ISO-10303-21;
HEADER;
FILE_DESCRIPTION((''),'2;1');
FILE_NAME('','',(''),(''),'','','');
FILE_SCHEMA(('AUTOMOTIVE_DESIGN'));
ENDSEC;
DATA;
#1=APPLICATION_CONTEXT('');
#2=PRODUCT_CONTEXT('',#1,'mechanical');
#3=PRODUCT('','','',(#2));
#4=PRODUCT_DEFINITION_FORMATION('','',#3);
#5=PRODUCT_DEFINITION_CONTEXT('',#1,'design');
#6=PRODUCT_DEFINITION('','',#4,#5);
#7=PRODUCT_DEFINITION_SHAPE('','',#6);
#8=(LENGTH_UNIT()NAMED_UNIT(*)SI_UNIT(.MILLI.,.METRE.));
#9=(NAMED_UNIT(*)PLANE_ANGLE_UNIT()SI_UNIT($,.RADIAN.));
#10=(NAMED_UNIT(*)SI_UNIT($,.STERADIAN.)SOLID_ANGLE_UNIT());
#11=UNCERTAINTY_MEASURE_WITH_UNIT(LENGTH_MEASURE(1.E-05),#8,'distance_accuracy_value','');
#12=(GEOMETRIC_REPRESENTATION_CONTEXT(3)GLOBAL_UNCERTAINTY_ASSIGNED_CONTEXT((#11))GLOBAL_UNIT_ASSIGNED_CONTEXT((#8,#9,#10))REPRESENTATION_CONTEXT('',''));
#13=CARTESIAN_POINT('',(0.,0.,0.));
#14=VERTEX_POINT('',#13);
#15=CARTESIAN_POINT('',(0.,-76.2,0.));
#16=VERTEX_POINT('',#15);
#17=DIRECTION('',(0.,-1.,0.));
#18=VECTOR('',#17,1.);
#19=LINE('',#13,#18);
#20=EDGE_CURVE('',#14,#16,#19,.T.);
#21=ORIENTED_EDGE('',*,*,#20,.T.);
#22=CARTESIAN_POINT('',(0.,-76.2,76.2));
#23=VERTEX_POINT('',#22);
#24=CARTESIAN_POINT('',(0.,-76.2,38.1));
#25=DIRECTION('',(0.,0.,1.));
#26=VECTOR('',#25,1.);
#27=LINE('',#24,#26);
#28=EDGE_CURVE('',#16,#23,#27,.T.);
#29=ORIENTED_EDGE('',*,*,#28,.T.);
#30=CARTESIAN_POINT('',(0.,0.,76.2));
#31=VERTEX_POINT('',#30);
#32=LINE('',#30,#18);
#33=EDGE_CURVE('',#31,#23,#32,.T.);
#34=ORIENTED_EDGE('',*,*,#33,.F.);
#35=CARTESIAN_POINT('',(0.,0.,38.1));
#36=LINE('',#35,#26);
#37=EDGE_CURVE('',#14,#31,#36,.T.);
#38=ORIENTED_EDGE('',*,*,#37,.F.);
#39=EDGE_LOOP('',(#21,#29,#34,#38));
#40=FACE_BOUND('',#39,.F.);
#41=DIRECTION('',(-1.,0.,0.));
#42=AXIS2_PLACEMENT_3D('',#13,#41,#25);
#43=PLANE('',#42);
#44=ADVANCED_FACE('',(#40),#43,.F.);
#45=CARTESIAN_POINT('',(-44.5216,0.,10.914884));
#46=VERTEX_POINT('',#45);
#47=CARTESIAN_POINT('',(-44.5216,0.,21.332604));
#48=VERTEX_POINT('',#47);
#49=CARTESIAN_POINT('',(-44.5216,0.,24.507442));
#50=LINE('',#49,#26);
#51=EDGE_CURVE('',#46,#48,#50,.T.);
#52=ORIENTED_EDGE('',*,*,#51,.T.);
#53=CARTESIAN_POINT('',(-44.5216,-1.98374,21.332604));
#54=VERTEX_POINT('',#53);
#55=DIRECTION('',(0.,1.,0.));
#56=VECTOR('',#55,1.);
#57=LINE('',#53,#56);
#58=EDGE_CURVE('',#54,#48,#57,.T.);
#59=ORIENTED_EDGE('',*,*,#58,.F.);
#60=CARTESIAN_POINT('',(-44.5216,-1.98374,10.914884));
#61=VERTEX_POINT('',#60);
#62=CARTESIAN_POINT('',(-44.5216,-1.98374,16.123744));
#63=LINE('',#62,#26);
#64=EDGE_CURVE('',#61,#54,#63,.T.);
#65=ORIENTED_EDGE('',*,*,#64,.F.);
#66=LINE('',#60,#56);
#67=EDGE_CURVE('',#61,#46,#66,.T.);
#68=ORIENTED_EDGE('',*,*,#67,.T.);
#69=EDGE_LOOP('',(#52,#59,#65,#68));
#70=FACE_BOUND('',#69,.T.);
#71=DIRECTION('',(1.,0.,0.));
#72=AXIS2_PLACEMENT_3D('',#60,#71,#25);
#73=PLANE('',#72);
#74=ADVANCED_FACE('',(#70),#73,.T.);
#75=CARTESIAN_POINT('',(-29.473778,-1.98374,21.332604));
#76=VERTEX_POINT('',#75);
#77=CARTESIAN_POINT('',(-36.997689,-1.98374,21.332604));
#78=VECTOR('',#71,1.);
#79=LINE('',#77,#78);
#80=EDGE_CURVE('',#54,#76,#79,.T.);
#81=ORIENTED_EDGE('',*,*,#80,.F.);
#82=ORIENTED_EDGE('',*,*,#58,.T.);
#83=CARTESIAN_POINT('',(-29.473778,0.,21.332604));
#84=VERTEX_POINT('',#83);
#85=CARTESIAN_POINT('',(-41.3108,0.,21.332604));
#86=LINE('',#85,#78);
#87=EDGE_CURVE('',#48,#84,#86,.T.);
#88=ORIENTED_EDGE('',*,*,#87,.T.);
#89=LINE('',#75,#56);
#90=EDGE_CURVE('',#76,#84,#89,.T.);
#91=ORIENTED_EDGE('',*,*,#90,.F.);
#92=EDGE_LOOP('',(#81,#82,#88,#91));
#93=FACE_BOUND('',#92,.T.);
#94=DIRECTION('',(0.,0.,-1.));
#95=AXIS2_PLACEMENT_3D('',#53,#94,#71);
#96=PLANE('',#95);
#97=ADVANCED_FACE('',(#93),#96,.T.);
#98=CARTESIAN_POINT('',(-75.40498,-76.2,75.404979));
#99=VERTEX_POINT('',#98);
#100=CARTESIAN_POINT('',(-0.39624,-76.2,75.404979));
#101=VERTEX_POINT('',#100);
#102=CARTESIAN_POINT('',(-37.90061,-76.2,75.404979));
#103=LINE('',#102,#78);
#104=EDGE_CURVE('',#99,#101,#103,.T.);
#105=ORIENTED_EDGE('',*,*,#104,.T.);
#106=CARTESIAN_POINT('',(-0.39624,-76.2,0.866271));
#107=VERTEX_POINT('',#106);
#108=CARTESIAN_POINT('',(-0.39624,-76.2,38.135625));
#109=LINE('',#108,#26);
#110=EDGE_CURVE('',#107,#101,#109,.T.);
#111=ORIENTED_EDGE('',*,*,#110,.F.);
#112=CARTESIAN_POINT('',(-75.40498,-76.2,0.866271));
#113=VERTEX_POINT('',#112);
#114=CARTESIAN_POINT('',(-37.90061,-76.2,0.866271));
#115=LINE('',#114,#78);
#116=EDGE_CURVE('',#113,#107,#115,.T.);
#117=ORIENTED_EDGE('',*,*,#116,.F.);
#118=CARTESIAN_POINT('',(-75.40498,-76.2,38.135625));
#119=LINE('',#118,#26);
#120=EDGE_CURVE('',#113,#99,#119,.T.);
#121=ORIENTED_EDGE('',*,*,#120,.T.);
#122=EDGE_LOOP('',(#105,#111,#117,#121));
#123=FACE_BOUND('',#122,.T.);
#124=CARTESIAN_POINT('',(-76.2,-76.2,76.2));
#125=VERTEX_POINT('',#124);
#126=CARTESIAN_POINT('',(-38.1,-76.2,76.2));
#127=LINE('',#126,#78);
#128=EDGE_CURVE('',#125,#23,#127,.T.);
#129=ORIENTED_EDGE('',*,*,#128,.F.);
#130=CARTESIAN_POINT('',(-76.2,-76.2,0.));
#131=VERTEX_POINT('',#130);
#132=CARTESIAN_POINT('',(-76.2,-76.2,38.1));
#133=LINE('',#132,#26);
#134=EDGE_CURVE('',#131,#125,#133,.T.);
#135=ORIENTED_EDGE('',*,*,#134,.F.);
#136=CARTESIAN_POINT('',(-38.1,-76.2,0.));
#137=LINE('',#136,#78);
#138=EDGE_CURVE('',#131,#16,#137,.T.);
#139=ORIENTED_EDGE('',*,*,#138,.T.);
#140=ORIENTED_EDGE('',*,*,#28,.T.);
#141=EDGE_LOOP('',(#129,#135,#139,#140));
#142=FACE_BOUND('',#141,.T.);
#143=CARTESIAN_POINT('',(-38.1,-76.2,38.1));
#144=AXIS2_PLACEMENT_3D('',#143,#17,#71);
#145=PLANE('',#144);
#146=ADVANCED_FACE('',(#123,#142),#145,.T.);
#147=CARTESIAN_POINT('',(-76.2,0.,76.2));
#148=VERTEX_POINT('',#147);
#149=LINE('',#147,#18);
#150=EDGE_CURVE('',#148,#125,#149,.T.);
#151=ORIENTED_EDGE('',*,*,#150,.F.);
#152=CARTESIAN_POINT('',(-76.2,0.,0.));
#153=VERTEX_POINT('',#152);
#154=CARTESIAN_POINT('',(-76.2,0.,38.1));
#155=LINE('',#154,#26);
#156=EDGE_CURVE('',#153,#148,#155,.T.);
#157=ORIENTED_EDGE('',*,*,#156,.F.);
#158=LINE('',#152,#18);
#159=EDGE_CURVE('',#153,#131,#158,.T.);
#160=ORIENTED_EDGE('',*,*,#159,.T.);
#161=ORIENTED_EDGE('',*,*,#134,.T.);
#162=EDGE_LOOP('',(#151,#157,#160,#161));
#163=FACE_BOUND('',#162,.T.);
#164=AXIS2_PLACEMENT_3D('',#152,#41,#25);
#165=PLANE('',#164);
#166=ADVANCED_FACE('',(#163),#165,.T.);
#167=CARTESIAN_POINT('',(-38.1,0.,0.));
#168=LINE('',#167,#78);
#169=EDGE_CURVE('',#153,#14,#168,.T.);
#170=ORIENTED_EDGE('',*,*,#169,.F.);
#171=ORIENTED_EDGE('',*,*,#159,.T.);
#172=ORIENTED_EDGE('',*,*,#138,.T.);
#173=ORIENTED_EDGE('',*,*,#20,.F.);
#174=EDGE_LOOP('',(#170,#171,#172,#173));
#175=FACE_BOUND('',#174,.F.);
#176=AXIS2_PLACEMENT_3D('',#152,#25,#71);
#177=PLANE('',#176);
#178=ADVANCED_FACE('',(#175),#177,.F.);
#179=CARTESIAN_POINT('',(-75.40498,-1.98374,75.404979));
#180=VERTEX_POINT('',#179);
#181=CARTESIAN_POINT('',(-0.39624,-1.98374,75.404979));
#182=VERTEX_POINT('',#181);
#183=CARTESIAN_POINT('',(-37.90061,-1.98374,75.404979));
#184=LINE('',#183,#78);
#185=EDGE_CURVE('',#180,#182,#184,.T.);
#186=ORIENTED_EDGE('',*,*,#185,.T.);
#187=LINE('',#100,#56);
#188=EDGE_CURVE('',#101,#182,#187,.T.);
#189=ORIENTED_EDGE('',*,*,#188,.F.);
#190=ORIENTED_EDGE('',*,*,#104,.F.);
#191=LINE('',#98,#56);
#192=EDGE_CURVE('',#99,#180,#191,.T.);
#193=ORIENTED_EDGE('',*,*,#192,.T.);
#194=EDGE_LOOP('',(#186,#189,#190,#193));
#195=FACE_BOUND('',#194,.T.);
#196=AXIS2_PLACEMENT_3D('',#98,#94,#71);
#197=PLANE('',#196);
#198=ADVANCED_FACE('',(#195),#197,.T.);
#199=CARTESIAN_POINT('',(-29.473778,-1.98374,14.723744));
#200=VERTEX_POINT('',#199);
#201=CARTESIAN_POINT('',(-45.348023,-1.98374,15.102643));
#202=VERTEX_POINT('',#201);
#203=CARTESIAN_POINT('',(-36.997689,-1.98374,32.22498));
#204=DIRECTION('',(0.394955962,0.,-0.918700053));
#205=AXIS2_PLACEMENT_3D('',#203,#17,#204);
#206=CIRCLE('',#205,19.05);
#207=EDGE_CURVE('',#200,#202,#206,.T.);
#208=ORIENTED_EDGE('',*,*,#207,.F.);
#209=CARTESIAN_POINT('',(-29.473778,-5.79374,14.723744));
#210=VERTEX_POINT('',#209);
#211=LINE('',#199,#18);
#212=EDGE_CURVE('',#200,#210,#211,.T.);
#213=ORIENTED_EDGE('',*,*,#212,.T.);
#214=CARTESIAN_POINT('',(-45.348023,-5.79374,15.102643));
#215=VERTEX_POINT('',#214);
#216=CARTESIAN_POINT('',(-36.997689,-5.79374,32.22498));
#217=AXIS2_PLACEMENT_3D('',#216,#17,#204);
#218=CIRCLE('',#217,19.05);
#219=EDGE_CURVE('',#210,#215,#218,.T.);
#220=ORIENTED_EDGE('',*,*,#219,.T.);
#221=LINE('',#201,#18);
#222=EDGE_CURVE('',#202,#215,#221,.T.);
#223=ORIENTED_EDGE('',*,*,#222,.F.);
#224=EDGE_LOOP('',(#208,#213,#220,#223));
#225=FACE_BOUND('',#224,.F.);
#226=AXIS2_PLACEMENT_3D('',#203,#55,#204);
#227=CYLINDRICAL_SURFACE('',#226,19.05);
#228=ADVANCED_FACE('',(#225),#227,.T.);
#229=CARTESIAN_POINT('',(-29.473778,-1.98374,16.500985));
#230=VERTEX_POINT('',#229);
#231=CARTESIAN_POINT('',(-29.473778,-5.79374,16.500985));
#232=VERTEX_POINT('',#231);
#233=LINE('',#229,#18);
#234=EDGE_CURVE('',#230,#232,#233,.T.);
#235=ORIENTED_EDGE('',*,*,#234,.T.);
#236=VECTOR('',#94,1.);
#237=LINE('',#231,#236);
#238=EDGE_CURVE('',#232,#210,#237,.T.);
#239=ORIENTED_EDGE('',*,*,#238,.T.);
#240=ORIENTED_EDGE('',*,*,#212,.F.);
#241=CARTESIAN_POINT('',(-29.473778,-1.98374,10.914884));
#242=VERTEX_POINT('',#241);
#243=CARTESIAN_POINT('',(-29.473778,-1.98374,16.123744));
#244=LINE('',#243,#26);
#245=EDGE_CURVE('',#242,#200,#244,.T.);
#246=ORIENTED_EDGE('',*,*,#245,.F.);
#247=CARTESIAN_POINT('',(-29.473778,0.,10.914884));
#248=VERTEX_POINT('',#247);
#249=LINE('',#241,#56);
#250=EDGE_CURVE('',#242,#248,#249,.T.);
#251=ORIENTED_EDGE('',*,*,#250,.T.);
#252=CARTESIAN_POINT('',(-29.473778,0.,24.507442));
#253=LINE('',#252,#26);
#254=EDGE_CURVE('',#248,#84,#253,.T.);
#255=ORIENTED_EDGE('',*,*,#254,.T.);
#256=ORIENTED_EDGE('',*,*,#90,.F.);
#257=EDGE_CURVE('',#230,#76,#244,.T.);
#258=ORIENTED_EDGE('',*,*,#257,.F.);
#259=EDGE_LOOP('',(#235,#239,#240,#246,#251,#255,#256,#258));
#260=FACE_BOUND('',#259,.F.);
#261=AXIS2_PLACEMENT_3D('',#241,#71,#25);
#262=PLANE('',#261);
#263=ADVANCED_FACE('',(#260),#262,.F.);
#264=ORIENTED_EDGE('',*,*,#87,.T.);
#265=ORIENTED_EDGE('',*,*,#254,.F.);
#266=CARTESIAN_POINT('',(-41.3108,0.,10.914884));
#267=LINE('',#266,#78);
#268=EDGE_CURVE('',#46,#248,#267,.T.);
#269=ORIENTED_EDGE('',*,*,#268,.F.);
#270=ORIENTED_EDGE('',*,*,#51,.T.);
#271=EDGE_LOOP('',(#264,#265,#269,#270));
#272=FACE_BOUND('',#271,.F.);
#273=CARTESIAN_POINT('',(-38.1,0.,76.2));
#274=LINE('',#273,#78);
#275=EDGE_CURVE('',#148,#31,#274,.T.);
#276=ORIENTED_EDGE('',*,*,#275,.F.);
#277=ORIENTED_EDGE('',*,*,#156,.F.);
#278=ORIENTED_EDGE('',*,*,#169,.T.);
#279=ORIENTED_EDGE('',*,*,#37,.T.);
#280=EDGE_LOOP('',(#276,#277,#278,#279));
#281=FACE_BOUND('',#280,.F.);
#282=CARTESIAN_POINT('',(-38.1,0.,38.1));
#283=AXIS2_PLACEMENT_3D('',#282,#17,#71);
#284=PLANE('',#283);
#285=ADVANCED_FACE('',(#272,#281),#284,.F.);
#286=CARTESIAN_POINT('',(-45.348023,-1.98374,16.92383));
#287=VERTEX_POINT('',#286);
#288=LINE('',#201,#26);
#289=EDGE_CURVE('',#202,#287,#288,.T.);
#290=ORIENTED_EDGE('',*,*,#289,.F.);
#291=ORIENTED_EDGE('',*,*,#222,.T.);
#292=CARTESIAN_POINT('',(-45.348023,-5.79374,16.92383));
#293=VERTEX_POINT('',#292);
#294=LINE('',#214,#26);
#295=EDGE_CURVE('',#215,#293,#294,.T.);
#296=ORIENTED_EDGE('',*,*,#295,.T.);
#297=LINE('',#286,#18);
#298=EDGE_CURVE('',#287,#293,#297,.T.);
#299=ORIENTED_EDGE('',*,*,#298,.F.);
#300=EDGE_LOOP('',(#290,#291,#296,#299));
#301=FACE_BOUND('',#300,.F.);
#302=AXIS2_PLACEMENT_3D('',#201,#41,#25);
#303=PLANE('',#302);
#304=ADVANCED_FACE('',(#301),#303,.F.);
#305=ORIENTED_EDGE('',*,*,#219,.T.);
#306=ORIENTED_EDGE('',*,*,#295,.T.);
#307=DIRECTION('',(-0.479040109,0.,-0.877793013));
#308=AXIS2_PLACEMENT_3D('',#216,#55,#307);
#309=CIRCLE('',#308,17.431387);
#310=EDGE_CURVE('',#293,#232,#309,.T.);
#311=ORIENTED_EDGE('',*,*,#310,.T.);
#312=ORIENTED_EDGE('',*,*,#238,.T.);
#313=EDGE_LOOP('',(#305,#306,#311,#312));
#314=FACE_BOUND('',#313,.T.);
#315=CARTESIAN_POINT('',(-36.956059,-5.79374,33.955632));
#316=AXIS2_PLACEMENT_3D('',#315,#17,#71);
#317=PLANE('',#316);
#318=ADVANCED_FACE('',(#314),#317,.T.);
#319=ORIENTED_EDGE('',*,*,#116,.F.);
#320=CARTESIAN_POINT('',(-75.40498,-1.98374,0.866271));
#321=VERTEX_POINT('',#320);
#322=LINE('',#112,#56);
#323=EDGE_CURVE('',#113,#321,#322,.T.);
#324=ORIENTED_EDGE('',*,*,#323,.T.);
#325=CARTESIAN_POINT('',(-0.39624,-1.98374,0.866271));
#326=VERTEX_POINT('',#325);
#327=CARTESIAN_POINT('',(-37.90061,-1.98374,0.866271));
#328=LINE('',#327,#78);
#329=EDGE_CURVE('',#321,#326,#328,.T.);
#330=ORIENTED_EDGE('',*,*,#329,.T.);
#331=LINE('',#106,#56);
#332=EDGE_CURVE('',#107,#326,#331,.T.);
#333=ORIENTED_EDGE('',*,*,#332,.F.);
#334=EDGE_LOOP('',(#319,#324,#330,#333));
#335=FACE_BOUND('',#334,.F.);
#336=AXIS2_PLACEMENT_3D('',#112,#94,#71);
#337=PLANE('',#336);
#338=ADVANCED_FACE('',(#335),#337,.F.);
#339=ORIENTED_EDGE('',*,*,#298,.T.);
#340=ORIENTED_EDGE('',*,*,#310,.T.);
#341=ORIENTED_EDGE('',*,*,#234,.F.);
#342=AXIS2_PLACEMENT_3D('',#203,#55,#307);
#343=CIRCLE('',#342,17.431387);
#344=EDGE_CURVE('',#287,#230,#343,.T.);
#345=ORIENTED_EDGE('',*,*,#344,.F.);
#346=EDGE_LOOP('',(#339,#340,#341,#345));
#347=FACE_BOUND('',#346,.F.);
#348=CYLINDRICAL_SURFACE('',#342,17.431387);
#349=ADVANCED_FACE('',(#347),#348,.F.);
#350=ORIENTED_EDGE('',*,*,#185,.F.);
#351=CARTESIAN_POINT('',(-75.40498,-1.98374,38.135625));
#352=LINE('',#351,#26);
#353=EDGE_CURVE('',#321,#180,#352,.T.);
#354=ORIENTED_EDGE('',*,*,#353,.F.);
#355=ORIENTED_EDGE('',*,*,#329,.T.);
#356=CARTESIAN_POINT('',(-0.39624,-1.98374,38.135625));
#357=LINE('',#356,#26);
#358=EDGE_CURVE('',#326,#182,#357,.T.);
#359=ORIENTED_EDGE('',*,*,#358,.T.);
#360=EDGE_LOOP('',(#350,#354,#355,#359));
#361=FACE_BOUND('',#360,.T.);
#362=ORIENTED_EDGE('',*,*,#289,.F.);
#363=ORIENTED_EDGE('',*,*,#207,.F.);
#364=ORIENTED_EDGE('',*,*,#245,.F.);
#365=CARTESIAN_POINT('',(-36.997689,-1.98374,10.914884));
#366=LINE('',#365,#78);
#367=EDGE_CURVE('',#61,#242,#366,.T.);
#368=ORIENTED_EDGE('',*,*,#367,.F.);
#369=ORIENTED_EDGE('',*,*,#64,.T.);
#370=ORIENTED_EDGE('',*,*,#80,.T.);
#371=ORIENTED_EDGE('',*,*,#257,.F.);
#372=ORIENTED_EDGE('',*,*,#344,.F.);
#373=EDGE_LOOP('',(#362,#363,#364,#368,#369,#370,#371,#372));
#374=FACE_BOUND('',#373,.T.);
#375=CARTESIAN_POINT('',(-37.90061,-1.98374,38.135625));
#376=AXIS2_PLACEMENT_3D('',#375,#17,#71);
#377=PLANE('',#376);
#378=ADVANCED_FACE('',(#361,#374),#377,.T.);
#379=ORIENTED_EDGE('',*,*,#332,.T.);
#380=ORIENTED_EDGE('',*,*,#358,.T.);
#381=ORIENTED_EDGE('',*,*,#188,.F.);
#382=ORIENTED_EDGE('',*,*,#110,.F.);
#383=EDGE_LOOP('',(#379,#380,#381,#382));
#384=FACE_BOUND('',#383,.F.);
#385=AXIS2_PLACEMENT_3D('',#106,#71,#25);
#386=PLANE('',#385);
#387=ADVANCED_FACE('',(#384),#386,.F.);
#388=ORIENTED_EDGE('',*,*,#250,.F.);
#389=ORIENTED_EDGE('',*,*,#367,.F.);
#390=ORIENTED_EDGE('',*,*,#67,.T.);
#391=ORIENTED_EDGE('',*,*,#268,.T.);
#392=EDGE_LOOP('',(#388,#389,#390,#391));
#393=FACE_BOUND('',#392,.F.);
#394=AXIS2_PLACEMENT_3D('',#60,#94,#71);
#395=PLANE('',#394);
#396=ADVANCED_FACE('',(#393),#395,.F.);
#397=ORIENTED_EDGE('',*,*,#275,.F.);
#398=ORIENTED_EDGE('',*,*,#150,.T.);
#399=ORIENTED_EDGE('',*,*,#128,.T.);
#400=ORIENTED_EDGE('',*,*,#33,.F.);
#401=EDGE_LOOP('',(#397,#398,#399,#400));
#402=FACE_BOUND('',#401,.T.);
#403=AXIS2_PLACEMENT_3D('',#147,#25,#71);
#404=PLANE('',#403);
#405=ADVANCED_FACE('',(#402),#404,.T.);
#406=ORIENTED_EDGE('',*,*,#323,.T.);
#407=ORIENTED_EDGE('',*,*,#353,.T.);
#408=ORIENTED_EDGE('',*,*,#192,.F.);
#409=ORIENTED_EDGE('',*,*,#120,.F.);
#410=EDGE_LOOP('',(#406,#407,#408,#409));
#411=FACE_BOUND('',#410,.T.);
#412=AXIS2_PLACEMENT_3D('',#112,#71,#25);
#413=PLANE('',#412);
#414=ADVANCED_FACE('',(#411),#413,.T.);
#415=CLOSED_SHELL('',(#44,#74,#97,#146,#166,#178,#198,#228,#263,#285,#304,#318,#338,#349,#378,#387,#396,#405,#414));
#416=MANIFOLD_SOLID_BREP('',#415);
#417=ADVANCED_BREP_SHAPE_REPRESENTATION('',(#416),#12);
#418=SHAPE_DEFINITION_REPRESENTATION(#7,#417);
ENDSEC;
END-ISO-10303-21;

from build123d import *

# Parameters (mm, degrees)
F0_W     = 76.2
F0_H     = 76.2
F1_DEPTH = 76.2
F2_W     = 75.00874
F2_H     = 74.538709
F3_DEPTH = 74.21626
F4_W     = 15.047822
F4_H     = 10.417721
F5_DEPTH = 23.8125
F7_DEPTH = 3.81


with BuildPart() as f1:
    # F0 (on Front) → F1 (new body)
    with BuildSketch(Plane.XZ):
        with Locations((-38.1, 38.1)):
            Rectangle(F0_W, F0_H)
    extrude(amount=F1_DEPTH)

    # F2 (on face) → F3 (cut)
    with BuildSketch(Plane.XZ.offset(76.2)):
        with Locations((-37.90061, 38.135625)):
            Rectangle(F2_W, F2_H)
    extrude(amount=-F3_DEPTH, mode=Mode.SUBTRACT)

    # F4 (on face) → F5 (cut)
    with BuildSketch(Plane.XZ.offset(1.98374)):
        with Locations((-36.997689, 16.123744)):
            Rectangle(F4_W, F4_H)
    extrude(amount=-F5_DEPTH, mode=Mode.SUBTRACT)

    # F6 (on face) → F7 (join)
    with BuildSketch(Plane.XZ.offset(1.98374)):
        with BuildLine():
            Line((-29.473778, 16.500985), (-29.473778, 14.723744))
            ThreePointArc((-29.473778, 14.723744), (-36.543118, 51.269556), (-45.348023, 15.102643))
            Line((-45.348023, 15.102643), (-45.348023, 16.92383))
            ThreePointArc((-45.348023, 16.92383), (-36.53353, 49.650186), (-29.473778, 16.500985))
        make_face()
    extrude(amount=F7_DEPTH)


solid = f1.part
